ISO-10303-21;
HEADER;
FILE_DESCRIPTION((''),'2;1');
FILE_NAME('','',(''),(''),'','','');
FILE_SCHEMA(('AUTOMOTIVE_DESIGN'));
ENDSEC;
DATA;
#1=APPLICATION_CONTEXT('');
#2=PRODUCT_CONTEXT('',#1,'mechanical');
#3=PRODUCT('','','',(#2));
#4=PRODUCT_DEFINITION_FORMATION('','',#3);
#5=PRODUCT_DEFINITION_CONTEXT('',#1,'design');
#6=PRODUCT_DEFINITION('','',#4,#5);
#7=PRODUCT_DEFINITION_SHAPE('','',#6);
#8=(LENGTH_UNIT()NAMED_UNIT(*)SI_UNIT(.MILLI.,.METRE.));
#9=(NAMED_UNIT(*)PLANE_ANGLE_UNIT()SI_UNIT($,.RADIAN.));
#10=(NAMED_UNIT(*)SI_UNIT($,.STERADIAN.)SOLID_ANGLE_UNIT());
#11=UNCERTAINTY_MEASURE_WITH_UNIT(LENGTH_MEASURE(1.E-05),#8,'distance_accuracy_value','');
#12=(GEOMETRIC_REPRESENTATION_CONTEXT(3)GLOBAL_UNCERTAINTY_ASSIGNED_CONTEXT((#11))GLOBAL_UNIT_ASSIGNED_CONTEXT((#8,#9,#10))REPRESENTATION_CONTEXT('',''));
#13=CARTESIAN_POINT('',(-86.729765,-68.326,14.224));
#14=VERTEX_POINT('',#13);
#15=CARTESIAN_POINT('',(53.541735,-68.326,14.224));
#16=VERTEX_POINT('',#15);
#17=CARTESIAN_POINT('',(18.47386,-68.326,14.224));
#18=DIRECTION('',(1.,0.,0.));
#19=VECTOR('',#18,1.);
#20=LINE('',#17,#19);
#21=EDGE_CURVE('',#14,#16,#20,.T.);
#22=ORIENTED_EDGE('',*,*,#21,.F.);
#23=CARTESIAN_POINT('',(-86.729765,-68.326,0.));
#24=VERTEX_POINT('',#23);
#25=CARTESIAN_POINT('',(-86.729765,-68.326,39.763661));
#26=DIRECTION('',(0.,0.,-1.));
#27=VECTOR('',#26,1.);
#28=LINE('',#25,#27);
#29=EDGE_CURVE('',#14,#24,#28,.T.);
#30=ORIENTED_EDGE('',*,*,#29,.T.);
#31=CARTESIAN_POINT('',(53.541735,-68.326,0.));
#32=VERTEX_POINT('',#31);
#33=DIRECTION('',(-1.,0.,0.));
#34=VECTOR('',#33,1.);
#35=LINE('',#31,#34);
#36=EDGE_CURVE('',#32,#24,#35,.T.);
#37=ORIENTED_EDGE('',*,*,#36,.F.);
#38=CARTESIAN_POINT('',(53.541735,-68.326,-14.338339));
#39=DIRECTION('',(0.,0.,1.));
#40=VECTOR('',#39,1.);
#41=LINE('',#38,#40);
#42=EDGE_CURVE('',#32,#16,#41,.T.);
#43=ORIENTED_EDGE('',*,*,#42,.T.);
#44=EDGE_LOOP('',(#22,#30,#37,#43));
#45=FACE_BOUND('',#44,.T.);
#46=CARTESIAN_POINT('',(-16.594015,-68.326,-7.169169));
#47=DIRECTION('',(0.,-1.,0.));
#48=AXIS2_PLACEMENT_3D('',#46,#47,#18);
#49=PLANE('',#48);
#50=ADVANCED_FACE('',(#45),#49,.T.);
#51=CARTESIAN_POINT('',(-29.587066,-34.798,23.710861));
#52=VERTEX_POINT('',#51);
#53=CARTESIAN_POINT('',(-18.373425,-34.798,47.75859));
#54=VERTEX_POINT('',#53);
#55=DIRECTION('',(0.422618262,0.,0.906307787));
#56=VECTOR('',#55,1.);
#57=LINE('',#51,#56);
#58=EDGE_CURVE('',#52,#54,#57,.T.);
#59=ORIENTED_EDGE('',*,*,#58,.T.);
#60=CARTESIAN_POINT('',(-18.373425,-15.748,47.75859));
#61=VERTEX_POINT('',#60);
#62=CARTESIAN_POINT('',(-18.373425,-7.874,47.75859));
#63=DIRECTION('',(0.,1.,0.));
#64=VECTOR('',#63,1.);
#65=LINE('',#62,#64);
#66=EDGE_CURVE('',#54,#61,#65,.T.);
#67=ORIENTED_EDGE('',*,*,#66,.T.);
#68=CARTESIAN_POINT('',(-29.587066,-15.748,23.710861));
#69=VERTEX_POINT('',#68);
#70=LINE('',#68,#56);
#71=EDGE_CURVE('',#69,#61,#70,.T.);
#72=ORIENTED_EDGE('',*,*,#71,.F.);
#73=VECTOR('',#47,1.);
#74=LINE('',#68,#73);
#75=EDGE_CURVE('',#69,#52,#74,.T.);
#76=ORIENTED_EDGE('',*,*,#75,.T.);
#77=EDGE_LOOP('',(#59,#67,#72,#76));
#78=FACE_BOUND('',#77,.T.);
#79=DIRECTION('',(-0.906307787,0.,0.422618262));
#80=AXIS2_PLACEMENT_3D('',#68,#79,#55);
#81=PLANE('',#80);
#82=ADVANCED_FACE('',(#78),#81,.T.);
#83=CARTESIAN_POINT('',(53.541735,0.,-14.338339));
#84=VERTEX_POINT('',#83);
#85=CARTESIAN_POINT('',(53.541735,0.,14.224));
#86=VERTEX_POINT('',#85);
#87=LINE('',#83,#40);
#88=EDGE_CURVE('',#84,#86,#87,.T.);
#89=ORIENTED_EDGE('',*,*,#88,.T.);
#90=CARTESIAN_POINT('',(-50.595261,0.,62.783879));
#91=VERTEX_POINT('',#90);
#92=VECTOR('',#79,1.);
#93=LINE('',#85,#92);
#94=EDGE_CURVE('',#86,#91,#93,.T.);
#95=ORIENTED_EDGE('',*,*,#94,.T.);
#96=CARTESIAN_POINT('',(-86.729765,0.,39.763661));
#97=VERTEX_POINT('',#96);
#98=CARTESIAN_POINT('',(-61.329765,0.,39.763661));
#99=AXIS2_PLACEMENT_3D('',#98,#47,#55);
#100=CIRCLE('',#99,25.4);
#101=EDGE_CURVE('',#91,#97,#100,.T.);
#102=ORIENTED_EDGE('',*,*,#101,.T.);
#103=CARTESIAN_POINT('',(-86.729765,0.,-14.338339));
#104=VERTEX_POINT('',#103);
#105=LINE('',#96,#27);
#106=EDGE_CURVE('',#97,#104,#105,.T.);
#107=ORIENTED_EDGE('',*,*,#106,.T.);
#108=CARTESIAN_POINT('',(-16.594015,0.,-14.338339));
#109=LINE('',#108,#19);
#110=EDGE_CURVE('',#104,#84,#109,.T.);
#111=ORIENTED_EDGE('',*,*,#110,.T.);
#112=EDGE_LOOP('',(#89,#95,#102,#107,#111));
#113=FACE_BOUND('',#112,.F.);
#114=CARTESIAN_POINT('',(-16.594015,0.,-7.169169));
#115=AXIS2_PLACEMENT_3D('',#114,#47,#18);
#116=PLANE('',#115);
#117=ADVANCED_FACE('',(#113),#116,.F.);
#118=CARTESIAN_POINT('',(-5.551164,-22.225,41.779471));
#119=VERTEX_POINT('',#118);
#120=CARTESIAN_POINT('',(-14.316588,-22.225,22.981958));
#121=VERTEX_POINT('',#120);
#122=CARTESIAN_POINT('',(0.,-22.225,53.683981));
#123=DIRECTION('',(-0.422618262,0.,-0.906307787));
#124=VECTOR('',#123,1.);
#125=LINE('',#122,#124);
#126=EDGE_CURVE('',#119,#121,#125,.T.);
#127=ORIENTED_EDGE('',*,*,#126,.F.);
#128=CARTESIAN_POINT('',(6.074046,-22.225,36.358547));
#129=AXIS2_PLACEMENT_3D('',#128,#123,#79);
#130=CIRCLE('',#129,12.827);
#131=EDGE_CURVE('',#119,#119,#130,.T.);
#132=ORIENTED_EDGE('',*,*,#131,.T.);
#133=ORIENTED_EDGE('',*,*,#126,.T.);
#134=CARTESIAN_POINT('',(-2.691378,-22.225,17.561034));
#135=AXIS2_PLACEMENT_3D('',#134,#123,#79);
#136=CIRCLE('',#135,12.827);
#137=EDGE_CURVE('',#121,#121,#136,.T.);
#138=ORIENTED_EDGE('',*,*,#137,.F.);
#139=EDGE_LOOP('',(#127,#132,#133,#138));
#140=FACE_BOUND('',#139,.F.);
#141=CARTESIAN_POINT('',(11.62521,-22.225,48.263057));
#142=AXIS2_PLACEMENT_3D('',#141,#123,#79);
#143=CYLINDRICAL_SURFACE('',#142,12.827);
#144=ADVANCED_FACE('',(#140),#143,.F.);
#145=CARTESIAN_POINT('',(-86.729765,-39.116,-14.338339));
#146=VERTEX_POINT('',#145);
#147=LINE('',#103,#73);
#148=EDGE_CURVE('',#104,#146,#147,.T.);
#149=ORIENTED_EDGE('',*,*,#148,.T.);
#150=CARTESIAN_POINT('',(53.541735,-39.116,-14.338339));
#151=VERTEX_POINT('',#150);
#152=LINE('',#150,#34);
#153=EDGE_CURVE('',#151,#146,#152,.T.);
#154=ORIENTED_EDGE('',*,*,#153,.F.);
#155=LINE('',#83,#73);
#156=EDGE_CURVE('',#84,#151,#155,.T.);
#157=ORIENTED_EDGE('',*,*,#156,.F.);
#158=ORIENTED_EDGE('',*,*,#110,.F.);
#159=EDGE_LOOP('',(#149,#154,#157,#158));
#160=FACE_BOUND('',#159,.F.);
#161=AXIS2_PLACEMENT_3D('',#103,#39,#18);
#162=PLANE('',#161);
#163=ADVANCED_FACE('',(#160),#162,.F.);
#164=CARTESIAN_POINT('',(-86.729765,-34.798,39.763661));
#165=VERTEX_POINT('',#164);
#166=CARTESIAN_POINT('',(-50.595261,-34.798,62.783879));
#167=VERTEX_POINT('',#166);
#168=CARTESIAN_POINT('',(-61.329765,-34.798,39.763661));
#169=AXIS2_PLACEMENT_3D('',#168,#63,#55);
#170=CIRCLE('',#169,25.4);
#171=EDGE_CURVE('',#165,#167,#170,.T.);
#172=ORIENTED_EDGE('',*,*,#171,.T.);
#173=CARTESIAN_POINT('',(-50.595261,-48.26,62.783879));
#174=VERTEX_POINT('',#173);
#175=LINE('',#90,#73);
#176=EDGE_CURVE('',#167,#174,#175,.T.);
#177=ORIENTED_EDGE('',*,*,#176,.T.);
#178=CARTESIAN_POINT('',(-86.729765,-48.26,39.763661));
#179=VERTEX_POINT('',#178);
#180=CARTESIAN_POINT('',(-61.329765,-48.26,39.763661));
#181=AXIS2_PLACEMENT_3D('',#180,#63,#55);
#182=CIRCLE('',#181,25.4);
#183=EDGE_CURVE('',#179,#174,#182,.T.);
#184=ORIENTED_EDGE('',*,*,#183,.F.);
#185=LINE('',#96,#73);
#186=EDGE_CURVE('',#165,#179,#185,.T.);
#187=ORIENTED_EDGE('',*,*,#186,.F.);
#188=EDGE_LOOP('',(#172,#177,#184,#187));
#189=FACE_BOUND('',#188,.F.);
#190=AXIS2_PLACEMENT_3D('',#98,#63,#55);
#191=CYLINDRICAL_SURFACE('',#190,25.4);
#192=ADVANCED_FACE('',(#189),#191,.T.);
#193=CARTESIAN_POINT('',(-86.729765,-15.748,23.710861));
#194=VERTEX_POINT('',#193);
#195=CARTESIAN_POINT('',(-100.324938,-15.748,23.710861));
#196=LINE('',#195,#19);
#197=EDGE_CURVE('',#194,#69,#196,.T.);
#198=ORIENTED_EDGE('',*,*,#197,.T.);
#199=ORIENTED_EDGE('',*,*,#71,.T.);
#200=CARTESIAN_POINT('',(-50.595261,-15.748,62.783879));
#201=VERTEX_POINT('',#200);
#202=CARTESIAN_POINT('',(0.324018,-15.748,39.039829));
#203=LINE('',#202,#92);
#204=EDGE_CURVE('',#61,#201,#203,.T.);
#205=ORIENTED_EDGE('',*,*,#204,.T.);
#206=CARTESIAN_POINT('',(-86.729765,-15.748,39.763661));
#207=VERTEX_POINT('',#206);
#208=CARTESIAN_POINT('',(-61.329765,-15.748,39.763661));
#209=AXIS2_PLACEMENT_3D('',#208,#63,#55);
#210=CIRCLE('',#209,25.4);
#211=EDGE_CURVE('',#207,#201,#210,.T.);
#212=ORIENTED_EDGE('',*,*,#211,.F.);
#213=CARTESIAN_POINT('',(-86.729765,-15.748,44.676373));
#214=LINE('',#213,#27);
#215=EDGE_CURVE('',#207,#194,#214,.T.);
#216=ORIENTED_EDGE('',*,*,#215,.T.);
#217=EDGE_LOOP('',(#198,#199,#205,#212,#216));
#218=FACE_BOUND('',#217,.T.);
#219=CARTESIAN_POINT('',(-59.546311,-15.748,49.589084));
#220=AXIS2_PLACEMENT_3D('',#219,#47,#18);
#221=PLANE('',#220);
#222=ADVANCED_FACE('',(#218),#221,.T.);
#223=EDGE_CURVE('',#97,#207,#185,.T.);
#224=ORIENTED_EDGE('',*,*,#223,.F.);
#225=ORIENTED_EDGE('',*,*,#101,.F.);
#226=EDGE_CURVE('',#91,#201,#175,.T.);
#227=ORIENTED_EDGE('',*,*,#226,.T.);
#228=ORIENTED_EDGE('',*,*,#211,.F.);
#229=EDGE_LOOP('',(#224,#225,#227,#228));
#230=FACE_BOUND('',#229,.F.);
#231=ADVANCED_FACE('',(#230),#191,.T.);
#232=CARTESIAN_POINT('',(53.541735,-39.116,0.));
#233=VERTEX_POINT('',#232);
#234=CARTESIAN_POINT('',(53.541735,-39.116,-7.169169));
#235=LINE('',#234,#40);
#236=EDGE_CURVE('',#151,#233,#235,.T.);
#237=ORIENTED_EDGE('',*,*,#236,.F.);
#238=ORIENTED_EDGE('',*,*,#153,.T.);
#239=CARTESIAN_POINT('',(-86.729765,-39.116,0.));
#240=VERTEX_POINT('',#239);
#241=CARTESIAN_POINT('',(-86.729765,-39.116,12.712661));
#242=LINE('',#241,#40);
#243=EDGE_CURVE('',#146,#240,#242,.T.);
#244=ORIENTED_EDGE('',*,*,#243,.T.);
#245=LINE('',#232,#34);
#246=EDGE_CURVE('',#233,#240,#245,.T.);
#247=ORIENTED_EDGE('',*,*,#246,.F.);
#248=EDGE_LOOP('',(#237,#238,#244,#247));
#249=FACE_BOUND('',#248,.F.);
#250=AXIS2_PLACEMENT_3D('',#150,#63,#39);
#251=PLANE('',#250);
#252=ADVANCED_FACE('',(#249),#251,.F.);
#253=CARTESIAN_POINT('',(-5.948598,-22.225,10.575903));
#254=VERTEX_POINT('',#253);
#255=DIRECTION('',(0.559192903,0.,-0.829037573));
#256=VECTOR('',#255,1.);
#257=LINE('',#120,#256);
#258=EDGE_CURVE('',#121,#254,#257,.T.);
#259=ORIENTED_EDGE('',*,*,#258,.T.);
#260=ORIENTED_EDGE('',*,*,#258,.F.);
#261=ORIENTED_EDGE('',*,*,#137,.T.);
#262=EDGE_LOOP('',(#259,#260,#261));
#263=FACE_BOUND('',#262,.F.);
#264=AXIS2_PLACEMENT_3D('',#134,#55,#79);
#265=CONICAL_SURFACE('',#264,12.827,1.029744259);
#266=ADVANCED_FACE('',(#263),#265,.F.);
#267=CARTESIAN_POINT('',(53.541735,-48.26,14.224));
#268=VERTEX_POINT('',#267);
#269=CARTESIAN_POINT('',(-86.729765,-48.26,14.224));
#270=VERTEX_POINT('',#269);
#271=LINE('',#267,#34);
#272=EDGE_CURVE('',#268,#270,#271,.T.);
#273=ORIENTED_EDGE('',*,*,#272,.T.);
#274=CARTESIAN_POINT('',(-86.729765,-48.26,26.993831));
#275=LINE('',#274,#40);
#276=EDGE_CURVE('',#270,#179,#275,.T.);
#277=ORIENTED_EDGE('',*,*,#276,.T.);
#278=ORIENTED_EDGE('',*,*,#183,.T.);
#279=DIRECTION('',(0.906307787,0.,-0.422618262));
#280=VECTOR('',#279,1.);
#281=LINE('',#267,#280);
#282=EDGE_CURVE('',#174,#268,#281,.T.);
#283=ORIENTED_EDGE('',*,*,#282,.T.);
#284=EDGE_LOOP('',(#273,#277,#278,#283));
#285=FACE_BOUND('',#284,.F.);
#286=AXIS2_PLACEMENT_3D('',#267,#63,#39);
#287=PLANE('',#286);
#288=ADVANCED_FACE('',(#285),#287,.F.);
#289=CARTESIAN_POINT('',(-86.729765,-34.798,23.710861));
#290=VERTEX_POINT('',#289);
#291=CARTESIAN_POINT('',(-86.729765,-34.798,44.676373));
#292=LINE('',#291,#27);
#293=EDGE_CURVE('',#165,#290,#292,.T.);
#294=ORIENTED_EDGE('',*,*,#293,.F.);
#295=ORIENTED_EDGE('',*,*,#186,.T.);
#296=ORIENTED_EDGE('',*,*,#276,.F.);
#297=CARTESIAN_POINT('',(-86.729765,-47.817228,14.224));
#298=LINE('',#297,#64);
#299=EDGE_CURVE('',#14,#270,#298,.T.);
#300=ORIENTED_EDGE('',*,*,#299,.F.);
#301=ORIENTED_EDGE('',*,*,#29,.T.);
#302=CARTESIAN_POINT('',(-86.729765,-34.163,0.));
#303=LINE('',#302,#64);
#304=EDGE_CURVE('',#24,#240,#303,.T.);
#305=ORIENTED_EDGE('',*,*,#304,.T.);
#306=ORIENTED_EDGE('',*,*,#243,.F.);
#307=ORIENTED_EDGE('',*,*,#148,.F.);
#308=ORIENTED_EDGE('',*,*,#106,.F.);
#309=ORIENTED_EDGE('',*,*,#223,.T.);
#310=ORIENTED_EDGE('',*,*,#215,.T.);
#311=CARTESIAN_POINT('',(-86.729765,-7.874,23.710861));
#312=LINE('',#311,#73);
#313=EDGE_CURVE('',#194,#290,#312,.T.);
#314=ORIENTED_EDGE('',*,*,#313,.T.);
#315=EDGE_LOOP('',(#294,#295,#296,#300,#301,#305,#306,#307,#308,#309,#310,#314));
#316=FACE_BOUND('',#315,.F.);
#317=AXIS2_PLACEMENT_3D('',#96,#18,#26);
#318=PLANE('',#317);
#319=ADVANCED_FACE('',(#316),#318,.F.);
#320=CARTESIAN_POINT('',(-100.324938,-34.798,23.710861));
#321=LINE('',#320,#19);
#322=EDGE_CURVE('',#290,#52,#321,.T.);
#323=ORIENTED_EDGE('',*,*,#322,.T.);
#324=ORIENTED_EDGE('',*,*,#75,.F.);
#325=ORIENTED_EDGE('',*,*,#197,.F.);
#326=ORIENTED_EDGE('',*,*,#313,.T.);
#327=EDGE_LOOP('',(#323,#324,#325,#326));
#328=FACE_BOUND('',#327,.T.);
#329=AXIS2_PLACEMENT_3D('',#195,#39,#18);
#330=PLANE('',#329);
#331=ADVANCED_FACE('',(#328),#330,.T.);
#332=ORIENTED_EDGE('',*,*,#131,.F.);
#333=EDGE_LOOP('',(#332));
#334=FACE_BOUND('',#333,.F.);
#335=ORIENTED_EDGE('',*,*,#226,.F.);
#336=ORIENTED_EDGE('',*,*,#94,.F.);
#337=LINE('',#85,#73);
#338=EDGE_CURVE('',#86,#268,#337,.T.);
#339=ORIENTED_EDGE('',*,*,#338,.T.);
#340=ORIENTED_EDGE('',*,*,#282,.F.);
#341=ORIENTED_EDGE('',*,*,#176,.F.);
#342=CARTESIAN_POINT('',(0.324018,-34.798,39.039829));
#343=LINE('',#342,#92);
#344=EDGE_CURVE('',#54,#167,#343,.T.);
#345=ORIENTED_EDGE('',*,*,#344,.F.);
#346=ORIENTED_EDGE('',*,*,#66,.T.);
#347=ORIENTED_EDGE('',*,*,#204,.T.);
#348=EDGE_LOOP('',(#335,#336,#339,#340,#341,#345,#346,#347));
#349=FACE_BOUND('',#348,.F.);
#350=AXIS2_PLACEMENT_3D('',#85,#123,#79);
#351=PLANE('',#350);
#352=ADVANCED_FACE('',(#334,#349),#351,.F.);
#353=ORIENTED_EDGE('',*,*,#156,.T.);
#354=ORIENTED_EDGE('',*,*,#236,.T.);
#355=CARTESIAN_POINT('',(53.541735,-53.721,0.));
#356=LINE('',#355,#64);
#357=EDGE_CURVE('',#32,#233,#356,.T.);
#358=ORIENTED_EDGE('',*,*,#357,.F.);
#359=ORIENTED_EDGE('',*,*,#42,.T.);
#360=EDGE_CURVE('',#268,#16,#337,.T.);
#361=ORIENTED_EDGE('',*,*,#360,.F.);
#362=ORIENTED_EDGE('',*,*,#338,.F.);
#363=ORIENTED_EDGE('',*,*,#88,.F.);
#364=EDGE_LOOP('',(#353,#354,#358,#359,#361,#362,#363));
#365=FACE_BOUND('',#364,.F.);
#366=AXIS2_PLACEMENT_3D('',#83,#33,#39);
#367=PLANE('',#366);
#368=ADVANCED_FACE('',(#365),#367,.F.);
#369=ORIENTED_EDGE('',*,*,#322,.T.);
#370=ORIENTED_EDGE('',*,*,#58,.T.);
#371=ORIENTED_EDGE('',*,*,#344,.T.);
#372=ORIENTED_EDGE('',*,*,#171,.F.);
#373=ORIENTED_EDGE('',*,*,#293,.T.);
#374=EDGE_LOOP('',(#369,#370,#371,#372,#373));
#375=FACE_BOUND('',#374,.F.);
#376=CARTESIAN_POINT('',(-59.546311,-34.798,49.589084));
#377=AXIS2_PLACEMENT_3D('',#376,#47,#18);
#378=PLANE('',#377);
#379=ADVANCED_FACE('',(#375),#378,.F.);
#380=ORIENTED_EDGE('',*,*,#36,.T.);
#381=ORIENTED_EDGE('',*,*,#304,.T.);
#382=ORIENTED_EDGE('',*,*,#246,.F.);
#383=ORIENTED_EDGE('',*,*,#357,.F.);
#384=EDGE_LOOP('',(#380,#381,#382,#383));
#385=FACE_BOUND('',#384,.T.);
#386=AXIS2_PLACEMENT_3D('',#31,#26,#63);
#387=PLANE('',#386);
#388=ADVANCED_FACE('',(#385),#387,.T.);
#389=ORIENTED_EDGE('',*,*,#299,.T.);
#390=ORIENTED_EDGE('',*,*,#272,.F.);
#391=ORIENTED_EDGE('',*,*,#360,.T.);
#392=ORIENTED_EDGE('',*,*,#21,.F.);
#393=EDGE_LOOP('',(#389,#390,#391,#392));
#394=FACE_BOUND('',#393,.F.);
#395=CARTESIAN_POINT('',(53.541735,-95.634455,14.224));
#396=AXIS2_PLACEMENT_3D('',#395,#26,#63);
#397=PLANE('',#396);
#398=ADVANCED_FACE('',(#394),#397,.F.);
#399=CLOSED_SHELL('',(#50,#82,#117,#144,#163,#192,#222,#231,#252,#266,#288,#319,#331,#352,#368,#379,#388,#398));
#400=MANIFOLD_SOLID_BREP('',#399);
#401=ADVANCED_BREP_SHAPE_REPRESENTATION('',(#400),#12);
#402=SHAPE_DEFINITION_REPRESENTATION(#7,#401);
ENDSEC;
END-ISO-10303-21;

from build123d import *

# Parameters (mm, degrees)
F0_W     = 140.2715
F0_H     = 14.3383389879
F0_H_2   = 14.224
F1_DEPTH = 68.326
F2_W     = 29.21
F2_H     = 14.3383389879
F3_DEPTH = 140.2725
F4_W     = 47.3744553204
F4_H     = 60.4247975121
F5_DEPTH = 140.2725
F8_DEPTH = 19.05


with BuildPart() as f1:
    # F0 (on Front) → F1 (new body)
    with BuildSketch(Plane.XZ):
        with Locations((-16.5940149384, -7.1691694939)):
            Rectangle(F0_W, F0_H)
        with Locations((-16.5940149384, 7.112)):
            Rectangle(F0_W, F0_H_2)
        with BuildLine():
            Line((-86.7297649384, 39.7636610121), (-86.7297649384, 14.224))
            Line((-86.7297649384, 14.224), (53.5417350616, 14.224))
            Line((53.5417350616, 14.224), (-50.5952610901, 62.7838788028))
            ThreePointArc((-50.5952610901, 62.7838788028), (-74.9771749904, 61.1858037358), (-86.7297649384, 39.7636610121))
        make_face()
    extrude(amount=F1_DEPTH)

    # F2 (on face) → F3 (cut, through all)
    with BuildSketch(Plane.YZ.offset(53.5417350616)):
        with Locations((-53.721, -7.1691694939)):
            Rectangle(F2_W, F2_H)
    extrude(amount=-F3_DEPTH, mode=Mode.SUBTRACT)

    # F4 (on face) → F5 (cut, through all)
    with BuildSketch(Plane.YZ.offset(53.5417350616)):
        with Locations((-71.9472276602, 44.436398756)):
            Rectangle(F4_W, F4_H)
    extrude(amount=-F5_DEPTH, mode=Mode.SUBTRACT)

    # F7 (on offset) → F8 (cut)
    with BuildSketch(Plane.XZ.offset(15.748)):
        Polygon((-29.5870655151, 23.7108610121), (-8.6876207146, 68.5298650214), (-100.3249382806, 74.6821943388), (-100.3249382806, 23.7108610121), align=None)
    extrude(amount=F8_DEPTH, mode=Mode.SUBTRACT)

    # F10 (on offset) → F11 (revolve, cut)
    with BuildSketch(Plane.XZ.offset(22.225)):
        Polygon((-5.9485983328, 10.5759030094), (11.6252099843, 48.2630565653), (0, 53.6839810086), (-14.3165883004, 22.9819583202), align=None)
    revolve(axis=Axis((2.8383058257, -22.225, 29.4194797873), (-0.4226182617, 0, -0.906307787)), mode=Mode.SUBTRACT)


solid = f1.part
